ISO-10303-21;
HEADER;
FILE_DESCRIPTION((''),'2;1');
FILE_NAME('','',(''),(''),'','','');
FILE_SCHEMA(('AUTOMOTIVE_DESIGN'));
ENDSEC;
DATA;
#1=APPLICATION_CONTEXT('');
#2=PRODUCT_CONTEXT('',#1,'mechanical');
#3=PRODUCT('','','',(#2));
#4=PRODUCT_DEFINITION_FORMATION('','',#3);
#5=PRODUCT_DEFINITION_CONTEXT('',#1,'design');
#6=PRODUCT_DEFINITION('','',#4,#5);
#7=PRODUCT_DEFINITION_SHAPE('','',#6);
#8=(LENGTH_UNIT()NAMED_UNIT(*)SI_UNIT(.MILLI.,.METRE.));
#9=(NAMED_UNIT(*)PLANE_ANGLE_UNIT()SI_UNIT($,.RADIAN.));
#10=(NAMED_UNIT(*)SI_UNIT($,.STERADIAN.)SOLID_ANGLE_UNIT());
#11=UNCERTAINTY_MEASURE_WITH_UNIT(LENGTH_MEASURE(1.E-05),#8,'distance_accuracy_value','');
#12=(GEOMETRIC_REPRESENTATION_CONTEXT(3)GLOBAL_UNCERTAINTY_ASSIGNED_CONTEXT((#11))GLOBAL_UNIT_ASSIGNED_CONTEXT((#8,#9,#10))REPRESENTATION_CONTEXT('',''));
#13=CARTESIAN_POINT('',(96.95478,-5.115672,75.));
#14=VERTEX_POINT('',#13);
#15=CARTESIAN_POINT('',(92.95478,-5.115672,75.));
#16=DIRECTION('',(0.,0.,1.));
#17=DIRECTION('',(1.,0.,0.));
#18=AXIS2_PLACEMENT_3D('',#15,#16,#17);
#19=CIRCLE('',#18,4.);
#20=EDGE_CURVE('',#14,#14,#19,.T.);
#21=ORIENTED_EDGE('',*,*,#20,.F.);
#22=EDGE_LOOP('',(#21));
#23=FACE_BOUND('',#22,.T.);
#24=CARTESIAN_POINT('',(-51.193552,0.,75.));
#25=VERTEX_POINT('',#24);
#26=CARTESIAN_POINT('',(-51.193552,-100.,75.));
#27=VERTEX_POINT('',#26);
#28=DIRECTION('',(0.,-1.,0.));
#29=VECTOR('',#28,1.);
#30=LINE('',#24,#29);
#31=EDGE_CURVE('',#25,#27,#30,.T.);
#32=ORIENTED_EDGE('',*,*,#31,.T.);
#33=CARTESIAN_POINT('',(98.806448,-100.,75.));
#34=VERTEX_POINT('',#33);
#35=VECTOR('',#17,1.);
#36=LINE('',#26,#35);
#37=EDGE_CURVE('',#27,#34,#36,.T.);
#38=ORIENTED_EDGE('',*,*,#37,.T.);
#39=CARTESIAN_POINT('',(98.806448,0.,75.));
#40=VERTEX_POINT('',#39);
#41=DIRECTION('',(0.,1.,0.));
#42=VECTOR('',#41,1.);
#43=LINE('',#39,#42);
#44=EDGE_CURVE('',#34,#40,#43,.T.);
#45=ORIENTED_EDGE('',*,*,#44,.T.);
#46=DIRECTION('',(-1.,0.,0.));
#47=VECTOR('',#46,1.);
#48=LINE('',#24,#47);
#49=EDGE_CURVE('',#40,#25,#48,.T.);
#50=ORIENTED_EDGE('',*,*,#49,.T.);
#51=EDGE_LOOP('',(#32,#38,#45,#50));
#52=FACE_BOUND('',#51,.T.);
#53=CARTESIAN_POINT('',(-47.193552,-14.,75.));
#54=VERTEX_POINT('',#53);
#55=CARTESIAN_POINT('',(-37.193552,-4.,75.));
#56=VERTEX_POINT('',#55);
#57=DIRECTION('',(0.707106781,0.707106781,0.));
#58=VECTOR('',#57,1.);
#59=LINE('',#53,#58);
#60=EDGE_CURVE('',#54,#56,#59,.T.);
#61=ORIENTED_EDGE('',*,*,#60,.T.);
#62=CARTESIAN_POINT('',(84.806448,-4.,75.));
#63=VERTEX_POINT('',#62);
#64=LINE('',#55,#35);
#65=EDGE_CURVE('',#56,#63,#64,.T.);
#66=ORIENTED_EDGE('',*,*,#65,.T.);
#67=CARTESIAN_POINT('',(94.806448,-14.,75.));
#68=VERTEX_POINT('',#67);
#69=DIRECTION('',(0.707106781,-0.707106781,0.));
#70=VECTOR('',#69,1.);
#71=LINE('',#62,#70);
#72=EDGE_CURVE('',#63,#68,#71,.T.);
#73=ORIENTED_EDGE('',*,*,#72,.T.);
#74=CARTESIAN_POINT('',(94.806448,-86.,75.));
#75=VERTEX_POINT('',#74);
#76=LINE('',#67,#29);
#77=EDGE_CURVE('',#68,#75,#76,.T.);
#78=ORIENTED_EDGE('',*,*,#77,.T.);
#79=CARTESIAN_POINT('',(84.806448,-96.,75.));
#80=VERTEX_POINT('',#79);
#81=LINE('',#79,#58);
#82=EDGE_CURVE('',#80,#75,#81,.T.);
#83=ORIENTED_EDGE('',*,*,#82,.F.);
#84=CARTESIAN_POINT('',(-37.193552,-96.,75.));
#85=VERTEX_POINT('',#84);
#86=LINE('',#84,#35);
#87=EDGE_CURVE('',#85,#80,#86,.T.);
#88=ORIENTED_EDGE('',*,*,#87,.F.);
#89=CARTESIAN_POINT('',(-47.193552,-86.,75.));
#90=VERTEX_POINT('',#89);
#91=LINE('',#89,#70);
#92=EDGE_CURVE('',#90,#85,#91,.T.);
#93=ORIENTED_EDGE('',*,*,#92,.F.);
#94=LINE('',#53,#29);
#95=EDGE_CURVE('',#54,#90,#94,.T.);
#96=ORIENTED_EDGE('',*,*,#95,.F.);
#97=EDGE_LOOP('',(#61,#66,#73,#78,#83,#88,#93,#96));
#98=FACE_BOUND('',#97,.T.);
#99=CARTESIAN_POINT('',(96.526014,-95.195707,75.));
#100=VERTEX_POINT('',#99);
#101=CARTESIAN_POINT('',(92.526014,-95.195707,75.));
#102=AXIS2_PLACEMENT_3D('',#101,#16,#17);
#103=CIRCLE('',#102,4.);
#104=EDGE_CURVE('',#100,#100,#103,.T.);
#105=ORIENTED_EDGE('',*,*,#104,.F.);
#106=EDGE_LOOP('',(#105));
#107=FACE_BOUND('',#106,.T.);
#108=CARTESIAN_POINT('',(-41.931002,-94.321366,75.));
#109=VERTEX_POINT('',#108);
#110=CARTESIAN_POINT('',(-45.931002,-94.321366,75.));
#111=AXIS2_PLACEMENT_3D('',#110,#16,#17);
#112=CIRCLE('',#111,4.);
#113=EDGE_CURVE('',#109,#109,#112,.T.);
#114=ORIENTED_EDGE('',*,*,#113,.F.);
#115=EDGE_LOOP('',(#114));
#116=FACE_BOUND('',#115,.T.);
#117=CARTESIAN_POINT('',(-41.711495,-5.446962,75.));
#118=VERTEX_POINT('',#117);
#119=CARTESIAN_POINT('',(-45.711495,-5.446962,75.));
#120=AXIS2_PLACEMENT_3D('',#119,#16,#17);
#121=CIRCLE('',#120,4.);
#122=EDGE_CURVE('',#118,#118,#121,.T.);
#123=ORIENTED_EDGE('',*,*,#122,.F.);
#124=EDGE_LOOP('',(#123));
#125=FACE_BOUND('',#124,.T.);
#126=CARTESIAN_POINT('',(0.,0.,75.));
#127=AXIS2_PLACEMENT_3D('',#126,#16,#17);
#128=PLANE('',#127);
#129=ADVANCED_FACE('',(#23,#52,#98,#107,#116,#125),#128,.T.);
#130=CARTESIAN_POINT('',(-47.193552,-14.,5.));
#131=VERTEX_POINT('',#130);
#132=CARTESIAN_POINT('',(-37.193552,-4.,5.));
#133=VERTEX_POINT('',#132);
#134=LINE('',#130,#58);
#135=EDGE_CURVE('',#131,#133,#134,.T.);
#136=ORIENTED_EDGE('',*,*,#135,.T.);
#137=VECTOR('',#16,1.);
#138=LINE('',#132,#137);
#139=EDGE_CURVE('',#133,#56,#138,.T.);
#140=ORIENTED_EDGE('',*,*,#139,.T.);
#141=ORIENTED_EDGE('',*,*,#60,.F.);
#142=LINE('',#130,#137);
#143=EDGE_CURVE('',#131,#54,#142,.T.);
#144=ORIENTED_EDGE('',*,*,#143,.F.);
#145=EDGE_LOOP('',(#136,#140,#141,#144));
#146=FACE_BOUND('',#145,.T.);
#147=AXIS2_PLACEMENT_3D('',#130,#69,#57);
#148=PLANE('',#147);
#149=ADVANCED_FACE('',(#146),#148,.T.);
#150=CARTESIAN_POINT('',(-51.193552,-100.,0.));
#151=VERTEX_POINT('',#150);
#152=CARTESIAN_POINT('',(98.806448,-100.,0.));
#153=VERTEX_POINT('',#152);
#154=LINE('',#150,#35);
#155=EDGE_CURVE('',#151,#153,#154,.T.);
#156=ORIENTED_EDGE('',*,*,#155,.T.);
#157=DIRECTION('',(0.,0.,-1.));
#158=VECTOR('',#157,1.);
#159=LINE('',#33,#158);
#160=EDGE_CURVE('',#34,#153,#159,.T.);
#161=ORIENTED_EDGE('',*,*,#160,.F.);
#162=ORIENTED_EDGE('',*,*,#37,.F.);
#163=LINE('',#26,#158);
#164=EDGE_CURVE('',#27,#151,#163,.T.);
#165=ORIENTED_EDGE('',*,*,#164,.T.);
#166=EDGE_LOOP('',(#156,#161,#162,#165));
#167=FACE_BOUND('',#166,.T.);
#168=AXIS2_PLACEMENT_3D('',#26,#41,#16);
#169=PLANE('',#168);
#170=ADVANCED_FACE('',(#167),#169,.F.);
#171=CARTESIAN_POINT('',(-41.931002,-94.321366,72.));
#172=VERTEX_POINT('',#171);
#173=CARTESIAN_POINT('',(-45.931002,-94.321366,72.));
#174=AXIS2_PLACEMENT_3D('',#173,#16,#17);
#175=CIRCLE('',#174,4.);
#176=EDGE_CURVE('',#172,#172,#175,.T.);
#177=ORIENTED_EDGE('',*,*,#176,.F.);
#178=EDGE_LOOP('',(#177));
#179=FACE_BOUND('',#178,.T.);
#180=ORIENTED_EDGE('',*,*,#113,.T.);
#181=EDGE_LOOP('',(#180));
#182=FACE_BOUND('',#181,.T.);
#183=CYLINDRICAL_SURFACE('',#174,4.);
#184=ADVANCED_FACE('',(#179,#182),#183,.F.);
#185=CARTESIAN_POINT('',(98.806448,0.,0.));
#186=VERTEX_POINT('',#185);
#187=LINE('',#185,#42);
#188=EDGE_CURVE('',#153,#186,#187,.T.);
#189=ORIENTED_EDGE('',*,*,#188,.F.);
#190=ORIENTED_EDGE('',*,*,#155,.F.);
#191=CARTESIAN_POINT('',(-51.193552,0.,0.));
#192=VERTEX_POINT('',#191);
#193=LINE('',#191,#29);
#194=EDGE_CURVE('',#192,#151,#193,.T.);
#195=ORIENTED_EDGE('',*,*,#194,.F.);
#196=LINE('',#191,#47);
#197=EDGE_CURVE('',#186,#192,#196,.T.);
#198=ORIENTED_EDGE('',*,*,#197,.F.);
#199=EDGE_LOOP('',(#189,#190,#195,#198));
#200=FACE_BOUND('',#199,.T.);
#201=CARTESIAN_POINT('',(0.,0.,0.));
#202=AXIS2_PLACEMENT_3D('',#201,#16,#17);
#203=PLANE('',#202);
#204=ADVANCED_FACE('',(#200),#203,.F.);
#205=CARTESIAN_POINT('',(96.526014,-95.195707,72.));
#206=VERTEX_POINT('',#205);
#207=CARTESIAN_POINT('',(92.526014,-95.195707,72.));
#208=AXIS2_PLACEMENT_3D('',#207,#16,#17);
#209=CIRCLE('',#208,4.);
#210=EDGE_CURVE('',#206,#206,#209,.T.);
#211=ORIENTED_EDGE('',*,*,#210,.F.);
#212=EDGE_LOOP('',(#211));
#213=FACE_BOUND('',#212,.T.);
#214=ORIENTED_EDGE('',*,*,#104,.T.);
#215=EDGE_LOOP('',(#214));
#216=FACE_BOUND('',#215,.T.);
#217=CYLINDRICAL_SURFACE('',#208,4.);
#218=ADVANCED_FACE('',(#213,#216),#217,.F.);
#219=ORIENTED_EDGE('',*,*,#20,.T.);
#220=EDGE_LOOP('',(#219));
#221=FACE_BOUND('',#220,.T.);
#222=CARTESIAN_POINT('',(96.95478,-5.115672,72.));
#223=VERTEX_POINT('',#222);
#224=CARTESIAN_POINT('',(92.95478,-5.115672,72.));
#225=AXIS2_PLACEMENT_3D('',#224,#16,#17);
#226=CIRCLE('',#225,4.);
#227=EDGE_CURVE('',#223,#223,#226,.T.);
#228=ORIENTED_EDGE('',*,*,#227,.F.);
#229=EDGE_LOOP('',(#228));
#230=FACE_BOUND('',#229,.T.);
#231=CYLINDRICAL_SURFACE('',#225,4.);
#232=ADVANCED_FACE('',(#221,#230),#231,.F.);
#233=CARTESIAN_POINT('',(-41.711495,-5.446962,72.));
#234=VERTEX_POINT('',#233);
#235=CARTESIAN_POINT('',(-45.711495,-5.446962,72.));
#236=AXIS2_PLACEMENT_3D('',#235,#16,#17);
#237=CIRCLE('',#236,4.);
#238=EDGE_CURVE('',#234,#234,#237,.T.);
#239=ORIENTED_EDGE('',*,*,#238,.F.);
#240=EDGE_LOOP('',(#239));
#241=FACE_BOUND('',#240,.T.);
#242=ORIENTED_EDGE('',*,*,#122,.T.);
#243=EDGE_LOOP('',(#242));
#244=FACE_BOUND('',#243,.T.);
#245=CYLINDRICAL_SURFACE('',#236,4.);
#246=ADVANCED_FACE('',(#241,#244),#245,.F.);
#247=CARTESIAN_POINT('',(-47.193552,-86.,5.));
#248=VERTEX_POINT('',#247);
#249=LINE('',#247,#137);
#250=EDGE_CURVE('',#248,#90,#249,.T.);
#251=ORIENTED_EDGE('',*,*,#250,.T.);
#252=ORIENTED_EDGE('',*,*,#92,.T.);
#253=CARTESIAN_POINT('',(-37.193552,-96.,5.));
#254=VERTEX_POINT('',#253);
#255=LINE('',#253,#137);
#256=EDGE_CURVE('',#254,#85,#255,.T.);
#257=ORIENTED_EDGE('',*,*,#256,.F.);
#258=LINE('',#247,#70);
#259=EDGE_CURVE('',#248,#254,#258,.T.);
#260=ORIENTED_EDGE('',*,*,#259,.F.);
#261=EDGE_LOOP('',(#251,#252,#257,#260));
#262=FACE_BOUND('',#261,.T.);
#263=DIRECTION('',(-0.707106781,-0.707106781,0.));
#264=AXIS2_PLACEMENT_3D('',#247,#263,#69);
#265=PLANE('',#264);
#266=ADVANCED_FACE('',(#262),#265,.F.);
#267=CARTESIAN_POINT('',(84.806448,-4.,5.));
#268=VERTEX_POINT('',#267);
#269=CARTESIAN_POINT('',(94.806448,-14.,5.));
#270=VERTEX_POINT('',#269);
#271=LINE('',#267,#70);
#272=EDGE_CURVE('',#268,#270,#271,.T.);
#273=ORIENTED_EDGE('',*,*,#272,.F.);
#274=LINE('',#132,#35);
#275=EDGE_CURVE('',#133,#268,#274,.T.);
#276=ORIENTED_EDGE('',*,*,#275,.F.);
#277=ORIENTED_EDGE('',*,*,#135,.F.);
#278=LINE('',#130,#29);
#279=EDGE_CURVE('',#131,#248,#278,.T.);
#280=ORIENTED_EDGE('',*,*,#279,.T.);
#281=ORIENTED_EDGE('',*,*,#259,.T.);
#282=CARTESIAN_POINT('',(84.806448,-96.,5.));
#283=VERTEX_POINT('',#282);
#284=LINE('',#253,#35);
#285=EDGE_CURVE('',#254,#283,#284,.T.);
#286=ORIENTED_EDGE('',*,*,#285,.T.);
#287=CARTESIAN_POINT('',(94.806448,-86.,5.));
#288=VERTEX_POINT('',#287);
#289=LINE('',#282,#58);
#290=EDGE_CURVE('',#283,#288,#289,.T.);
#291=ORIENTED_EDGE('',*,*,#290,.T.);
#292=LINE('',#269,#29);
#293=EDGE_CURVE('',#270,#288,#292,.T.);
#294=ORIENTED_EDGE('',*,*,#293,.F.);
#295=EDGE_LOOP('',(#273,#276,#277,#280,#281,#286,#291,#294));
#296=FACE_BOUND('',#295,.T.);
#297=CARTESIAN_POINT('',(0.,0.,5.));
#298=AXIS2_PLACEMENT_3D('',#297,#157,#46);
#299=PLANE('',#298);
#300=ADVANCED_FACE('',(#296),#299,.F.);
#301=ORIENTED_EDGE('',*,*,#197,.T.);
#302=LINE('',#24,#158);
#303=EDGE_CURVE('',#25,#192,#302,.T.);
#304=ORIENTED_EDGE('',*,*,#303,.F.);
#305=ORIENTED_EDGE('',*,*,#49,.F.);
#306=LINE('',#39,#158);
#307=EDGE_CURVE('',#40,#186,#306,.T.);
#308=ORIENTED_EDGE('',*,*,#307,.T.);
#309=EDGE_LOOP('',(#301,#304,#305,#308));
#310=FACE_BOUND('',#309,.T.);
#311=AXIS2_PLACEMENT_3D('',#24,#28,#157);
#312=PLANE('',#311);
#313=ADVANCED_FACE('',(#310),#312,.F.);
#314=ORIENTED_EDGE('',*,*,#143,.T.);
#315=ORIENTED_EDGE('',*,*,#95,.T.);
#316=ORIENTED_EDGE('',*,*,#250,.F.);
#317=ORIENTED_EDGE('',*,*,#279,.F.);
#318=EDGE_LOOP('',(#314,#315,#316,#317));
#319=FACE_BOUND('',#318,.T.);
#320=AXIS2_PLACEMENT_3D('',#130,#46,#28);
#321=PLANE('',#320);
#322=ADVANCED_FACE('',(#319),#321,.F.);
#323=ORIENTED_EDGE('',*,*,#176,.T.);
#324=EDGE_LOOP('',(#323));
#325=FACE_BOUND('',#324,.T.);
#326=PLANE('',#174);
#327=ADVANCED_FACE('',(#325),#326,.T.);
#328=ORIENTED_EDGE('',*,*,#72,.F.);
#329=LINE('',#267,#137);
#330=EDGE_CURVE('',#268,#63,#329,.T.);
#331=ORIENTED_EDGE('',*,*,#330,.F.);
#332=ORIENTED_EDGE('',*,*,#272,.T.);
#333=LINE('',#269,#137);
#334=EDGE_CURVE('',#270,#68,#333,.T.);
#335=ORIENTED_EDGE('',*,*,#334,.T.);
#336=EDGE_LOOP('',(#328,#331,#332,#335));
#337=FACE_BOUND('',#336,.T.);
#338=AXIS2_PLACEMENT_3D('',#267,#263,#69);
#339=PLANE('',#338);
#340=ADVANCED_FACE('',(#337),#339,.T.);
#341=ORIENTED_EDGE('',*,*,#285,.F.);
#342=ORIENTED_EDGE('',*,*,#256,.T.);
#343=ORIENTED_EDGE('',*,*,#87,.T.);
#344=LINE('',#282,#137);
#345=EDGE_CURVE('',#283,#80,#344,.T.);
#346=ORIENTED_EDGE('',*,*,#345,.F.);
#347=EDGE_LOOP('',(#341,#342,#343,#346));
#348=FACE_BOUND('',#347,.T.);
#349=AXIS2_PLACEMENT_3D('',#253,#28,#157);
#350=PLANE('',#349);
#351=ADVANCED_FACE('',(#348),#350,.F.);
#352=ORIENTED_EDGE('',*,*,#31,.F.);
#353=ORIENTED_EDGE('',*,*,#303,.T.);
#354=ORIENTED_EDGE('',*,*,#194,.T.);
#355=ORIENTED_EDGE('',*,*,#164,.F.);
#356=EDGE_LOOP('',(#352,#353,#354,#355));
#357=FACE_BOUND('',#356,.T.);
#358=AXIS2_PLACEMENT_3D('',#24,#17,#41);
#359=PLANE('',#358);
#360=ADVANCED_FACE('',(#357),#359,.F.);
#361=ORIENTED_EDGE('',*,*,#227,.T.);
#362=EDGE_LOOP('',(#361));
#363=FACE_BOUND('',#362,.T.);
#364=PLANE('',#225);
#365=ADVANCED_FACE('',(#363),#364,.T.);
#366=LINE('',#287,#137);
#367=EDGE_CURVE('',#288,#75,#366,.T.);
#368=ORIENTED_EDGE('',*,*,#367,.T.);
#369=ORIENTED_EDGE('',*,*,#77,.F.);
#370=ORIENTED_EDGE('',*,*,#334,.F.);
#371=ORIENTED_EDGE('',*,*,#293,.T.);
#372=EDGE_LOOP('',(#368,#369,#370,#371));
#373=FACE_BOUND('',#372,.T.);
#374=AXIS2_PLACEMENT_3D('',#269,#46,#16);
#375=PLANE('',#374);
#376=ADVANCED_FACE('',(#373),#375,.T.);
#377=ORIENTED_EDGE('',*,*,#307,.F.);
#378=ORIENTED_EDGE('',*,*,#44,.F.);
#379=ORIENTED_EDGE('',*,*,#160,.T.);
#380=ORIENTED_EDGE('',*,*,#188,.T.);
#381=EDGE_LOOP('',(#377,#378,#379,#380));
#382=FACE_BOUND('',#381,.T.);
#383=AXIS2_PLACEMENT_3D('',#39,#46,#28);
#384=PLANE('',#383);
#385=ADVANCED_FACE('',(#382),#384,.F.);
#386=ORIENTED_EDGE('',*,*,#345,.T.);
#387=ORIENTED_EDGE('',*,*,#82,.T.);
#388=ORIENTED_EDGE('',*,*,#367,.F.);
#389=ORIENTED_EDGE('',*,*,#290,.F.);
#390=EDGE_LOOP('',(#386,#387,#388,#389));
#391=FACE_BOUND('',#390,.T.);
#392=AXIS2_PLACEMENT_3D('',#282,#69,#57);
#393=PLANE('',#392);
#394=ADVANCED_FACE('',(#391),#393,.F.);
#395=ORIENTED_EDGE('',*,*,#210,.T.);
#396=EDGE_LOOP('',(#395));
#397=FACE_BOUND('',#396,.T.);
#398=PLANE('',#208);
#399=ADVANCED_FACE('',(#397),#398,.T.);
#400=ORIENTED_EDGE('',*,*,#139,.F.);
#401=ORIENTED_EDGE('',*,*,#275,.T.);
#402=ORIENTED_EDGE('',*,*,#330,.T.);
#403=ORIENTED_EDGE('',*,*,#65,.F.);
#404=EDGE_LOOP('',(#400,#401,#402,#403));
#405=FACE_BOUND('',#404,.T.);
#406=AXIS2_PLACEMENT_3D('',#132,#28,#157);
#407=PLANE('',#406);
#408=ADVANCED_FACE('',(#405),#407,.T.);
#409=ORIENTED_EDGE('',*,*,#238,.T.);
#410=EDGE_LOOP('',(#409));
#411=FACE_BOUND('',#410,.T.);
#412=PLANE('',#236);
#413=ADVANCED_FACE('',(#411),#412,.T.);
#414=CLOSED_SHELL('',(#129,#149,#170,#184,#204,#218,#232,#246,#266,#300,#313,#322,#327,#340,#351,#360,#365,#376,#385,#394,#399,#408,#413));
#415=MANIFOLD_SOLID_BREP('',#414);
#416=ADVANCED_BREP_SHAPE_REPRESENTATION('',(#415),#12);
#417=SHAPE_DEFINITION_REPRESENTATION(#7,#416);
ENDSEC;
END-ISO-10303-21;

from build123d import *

# Parameters (mm, degrees)
ESQUISSE1_W             = 150
ESQUISSE1_H             = 100
BOSS_EXTRU_1_DEPTH      = 75
ENL_V_MAT_EXTRU_2_DEPTH = 70
ESQUISSE5_R             = 4
ENL_V_MAT_EXTRU_3_DEPTH = 3
ESQUISSE6_R             = 4
ENL_V_MAT_EXTRU_4_DEPTH = 3


with BuildPart() as part:
    # Esquisse1 → Boss.-Extru.1 (new body)
    with BuildSketch(Plane.XY):
        with Locations((23.806447762, -50)):
            Rectangle(ESQUISSE1_W, ESQUISSE1_H)
    extrude(amount=BOSS_EXTRU_1_DEPTH)

    # Esquisse2 → Enlèv. mat.-Extru.2 (cut)
    with BuildSketch(Plane.XY.offset(75)):
        Polygon((-37.193552238, -4), (84.806447762, -4), (94.806447762, -14), (94.806447762, -86), (84.806447762, -96), (-37.193552238, -96), (-47.193552238, -86), (-47.193552238, -14), align=None)
    extrude(amount=-ENL_V_MAT_EXTRU_2_DEPTH, mode=Mode.SUBTRACT)

    # Esquisse5 → Enlèv. mat.-Extru.3 (cut)
    with BuildSketch(Plane.XY.offset(75)):
        with Locations((-45.7114952, -5.446962242)):
            Circle(ESQUISSE5_R)
    extrude(amount=-ENL_V_MAT_EXTRU_3_DEPTH, mode=Mode.SUBTRACT)

    # Esquisse6 → Enlèv. mat.-Extru.4 (cut)
    with BuildSketch(Plane.XY.offset(75)):
        with Locations((92.954779507, -5.115671586)):
            Circle(ESQUISSE6_R)
        with Locations((92.526014057, -95.195707231)):
            Circle(ESQUISSE6_R)
        with Locations((-45.931001662, -94.321365955)):
            Circle(ESQUISSE6_R)
    extrude(amount=-ENL_V_MAT_EXTRU_4_DEPTH, mode=Mode.SUBTRACT)


solid = part.part
